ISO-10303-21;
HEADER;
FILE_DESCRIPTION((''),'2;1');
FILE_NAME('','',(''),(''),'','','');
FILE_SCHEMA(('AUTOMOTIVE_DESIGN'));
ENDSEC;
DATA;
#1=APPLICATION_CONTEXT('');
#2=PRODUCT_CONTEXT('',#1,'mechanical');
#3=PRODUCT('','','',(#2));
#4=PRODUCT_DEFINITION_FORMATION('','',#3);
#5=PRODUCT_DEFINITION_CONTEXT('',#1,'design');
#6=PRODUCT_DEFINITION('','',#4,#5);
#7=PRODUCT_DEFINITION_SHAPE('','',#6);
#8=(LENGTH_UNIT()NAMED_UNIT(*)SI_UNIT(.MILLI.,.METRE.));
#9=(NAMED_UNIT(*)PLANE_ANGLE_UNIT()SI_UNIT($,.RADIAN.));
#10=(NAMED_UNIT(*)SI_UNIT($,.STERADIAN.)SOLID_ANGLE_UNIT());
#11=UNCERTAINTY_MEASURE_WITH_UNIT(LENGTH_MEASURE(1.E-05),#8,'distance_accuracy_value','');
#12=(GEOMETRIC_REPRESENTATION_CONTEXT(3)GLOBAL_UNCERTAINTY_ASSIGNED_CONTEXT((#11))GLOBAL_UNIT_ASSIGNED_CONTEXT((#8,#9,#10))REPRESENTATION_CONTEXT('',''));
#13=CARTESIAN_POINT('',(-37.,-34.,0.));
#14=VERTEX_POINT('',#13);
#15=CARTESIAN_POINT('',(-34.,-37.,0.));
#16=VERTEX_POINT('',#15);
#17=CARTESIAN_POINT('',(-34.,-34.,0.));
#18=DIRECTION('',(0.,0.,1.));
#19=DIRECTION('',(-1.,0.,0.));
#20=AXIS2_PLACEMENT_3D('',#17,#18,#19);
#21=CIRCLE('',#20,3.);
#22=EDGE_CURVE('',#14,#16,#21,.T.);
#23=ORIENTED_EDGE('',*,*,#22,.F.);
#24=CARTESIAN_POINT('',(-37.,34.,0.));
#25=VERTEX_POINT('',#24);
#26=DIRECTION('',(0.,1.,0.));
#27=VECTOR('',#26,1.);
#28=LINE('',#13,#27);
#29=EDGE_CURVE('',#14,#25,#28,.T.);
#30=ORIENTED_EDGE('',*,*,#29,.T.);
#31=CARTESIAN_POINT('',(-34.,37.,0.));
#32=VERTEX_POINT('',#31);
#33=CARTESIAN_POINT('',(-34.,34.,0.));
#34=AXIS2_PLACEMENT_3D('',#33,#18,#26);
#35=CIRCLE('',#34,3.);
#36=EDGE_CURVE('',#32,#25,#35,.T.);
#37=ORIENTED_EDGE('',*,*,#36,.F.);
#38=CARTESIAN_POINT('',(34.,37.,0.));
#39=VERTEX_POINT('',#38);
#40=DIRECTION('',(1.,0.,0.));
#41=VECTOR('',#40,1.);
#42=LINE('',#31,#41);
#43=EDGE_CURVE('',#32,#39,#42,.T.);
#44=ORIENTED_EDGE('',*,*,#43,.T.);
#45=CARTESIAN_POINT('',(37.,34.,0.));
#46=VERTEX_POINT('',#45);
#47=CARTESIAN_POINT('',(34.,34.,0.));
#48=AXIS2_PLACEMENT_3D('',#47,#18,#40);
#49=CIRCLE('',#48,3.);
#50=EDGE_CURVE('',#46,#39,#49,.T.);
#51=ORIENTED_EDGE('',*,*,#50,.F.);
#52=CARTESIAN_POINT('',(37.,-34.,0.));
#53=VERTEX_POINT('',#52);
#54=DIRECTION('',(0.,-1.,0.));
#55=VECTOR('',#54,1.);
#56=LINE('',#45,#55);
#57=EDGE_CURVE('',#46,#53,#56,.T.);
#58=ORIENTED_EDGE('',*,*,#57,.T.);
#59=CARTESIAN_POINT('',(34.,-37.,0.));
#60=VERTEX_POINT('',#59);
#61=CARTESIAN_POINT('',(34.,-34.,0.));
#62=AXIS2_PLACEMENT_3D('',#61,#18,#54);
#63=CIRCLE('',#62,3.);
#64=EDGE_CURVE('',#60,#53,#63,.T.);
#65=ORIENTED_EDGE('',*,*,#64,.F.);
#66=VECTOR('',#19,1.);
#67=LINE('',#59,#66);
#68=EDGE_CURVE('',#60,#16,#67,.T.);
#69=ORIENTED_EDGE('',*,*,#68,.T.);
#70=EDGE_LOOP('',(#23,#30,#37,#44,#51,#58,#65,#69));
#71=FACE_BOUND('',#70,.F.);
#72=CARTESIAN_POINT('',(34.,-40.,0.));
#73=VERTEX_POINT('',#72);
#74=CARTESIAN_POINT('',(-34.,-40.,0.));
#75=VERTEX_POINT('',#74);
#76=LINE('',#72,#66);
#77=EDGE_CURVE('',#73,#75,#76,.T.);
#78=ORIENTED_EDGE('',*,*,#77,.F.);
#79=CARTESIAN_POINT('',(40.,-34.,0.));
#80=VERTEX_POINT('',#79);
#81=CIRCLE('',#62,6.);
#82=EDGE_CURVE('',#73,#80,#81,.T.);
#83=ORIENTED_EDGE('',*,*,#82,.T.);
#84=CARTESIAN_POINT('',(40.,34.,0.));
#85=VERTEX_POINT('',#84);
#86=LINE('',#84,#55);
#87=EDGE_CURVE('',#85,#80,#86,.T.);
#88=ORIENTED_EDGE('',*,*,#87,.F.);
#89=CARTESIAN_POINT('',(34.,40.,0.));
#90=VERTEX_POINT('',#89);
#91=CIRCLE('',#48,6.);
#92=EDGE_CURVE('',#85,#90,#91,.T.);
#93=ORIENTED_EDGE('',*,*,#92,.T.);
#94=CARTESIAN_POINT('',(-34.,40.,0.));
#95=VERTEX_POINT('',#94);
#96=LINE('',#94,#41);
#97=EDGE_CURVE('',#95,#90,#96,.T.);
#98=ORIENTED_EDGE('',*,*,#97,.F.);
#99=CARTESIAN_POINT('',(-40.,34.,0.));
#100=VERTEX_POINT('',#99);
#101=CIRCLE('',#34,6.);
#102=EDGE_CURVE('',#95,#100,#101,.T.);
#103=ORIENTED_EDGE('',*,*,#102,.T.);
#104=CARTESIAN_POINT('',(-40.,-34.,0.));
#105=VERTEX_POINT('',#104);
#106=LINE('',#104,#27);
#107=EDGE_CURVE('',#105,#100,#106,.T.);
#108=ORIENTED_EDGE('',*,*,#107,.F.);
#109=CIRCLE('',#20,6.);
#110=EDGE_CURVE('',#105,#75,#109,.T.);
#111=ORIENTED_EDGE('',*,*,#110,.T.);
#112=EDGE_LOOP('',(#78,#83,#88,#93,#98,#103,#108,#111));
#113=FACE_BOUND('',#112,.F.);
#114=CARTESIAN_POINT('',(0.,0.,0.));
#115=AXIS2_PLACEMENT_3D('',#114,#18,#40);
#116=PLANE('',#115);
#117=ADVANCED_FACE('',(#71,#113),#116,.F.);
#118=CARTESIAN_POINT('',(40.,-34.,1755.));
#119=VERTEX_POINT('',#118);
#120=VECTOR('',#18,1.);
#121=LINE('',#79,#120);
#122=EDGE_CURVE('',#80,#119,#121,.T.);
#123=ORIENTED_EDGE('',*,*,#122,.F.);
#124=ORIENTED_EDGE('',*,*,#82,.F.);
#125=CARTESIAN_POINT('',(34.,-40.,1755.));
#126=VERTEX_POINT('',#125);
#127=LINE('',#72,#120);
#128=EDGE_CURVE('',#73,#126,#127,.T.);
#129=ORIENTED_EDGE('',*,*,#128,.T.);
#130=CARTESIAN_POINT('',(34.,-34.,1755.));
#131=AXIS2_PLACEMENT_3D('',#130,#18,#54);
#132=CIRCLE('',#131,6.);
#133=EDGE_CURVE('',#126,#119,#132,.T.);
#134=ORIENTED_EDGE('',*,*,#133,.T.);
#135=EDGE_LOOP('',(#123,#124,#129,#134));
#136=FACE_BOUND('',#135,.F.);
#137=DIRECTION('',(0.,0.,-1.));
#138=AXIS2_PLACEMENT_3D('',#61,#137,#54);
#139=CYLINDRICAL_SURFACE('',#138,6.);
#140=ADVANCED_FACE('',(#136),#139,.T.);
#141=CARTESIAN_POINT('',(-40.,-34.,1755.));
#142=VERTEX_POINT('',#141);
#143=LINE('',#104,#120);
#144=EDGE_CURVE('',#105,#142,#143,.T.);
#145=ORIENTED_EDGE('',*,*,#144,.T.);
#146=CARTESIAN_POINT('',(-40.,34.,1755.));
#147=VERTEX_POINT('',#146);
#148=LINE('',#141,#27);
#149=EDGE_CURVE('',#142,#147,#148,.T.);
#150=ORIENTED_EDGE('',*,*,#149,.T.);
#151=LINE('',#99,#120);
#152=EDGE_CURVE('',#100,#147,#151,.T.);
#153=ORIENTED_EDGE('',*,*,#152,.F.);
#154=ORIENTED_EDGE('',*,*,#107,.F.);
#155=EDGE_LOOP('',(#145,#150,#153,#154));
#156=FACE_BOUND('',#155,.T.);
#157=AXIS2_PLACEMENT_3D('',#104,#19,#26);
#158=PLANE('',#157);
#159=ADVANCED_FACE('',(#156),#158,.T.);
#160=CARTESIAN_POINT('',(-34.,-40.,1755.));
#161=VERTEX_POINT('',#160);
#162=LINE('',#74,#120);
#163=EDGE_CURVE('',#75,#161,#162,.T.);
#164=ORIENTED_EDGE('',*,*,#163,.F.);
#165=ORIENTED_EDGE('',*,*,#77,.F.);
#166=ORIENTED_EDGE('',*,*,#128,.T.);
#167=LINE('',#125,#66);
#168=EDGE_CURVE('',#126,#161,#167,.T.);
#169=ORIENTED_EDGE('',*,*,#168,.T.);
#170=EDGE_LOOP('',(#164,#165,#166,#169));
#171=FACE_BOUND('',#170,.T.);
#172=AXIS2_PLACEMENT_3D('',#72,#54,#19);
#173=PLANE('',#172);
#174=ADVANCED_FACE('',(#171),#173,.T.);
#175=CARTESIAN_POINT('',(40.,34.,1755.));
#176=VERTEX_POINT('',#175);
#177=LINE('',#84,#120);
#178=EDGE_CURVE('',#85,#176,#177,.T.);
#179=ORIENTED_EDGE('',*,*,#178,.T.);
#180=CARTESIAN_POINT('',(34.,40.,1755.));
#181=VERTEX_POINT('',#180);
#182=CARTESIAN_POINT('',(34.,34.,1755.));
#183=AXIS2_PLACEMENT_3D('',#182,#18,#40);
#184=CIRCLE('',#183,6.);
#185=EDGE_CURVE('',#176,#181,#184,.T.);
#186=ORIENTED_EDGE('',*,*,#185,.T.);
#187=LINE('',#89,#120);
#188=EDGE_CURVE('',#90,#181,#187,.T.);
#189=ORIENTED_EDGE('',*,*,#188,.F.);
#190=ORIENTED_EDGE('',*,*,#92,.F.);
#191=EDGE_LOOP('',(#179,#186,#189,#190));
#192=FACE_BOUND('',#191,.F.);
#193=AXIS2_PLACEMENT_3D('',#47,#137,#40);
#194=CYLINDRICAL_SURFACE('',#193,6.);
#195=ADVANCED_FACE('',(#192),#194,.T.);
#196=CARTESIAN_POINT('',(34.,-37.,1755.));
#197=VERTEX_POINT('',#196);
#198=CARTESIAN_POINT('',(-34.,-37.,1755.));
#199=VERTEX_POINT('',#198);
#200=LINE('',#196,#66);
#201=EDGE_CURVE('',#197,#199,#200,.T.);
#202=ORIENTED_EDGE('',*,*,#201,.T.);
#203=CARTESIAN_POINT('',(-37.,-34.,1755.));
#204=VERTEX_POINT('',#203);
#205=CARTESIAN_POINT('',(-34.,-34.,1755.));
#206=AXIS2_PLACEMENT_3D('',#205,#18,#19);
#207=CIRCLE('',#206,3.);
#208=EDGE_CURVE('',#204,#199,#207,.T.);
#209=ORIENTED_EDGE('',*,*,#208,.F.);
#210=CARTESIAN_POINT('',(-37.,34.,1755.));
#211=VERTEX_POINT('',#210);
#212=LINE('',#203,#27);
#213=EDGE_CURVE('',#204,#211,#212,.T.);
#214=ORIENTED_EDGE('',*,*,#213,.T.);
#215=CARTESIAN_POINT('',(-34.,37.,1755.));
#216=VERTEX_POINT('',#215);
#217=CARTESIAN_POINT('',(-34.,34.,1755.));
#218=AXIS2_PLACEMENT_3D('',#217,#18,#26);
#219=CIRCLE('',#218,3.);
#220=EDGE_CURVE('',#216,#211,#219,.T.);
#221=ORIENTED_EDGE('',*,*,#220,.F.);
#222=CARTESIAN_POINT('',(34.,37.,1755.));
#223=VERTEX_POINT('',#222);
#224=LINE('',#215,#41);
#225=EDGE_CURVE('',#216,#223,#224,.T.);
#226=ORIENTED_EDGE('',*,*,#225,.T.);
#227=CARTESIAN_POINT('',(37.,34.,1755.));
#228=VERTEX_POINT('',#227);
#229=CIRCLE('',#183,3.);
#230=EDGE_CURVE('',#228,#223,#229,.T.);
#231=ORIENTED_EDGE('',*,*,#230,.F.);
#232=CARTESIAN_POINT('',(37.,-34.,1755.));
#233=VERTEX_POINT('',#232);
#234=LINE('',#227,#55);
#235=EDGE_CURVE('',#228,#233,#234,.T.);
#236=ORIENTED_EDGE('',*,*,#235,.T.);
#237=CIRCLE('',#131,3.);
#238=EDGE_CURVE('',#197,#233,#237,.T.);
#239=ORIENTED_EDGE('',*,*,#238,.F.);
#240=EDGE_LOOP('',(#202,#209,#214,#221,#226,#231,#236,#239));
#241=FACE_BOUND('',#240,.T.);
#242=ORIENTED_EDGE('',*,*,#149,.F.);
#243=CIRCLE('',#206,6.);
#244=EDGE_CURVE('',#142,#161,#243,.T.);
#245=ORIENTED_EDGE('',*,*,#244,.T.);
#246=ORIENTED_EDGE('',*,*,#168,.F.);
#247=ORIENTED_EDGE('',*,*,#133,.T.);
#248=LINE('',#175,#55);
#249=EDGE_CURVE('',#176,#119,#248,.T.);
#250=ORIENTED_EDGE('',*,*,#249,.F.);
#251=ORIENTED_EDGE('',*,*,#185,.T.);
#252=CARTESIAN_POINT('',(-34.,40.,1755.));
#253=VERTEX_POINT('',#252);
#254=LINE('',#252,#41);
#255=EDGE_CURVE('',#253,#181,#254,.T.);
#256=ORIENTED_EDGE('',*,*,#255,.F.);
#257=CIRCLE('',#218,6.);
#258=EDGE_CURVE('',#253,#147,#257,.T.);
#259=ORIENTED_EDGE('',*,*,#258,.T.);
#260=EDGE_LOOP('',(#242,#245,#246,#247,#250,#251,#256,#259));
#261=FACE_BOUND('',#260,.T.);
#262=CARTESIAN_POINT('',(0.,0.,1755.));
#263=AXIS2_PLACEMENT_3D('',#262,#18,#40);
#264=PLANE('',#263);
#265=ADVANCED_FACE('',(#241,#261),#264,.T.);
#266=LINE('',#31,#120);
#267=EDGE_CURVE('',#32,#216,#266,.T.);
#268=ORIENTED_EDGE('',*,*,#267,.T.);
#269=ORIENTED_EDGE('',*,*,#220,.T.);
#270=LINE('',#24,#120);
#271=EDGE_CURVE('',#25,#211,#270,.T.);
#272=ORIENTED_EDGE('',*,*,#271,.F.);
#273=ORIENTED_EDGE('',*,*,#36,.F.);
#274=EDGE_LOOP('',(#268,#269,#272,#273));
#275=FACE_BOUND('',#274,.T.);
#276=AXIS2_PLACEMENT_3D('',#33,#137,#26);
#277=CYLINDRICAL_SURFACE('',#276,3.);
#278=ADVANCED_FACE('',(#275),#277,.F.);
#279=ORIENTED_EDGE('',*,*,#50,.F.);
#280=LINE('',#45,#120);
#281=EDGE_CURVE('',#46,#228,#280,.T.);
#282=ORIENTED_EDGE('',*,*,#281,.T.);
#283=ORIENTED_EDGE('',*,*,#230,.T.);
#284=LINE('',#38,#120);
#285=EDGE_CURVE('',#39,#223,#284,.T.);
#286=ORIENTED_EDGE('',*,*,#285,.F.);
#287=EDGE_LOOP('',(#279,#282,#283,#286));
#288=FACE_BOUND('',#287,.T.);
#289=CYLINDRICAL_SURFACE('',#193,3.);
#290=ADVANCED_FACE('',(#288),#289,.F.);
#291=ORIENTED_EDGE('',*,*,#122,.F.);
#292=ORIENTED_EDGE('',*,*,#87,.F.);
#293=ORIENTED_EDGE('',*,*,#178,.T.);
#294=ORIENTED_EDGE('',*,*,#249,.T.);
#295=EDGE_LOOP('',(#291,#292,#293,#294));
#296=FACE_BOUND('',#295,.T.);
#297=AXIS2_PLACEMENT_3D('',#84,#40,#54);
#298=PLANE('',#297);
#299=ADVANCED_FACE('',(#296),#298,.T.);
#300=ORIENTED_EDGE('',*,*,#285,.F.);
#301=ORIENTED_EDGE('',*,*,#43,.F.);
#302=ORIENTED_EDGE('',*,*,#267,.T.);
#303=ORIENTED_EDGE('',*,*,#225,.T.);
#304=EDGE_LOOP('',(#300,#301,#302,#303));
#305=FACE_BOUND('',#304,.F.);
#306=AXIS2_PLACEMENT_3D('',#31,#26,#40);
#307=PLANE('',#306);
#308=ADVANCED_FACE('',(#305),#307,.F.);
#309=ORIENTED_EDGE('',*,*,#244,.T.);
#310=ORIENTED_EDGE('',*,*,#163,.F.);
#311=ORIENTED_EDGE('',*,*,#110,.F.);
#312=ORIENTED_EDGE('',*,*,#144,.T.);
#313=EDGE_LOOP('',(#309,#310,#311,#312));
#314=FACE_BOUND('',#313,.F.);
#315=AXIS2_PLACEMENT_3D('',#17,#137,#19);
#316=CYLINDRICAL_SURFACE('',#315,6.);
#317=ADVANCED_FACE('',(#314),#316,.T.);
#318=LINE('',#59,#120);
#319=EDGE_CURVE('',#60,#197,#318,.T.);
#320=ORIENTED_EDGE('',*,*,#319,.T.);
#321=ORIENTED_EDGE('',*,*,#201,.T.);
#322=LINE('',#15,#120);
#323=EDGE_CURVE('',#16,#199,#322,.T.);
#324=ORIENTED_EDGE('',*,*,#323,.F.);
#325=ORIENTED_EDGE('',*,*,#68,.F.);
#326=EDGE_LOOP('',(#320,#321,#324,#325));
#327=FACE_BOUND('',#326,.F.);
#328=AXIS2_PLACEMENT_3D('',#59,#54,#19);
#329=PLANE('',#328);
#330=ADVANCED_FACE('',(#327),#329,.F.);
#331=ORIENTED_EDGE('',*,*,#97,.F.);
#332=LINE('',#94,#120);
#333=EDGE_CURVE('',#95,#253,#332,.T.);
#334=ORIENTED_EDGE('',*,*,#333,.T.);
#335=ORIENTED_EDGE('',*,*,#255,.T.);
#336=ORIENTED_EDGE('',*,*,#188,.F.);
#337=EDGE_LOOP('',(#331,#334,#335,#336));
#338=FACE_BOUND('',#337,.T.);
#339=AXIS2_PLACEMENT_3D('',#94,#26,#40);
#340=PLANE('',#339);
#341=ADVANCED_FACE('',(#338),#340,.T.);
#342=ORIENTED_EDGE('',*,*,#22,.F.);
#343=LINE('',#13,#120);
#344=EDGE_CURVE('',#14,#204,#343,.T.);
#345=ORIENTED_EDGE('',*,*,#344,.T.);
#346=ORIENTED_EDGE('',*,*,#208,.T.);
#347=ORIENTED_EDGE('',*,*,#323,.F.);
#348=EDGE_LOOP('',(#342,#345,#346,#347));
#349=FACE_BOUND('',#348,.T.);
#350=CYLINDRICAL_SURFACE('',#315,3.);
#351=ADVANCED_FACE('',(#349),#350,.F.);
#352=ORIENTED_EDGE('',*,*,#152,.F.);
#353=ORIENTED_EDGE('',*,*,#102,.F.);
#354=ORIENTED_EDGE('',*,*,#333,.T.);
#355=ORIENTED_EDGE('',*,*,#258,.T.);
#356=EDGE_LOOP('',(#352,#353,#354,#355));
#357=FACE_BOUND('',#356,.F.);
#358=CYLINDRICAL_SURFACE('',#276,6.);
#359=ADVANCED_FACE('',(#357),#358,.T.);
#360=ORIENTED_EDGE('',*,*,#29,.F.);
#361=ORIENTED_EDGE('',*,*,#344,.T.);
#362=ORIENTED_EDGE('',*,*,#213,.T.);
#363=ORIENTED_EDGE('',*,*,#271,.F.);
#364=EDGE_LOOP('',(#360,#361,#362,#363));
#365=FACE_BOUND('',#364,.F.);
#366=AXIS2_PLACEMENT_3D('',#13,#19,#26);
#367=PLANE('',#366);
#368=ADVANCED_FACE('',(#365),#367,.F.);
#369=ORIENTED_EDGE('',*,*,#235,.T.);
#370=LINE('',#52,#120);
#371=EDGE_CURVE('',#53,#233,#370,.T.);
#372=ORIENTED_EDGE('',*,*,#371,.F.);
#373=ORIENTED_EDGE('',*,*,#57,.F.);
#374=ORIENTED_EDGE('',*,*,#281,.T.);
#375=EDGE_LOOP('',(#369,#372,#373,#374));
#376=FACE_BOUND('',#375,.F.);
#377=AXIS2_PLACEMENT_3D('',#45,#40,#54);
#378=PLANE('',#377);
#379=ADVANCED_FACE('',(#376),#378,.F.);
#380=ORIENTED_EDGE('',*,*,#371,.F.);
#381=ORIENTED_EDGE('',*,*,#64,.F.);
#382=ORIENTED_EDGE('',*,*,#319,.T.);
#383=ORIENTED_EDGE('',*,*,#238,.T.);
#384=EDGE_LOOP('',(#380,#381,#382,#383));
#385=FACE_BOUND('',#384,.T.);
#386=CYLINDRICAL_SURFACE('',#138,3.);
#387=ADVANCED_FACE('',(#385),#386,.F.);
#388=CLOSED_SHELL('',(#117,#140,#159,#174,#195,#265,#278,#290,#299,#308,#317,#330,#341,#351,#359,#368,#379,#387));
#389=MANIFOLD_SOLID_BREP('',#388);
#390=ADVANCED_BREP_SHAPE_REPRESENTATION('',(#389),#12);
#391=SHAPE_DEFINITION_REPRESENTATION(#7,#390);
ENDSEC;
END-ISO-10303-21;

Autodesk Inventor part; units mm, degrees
ref_plane "YZ Plane" through (0, 0, 0) normal (1, 0, 0) x (0, 1, 0)
ref_plane "Start Plane" through (0, 0, 0) normal (0, 0, 1) x (1, 0, 0)
ref_plane "End Plane" through (0, 0, 1755) normal (0, 0, 1) x (1, 0, 0)
sketch "Sketch" plane through (0, 0, 0) normal (0, 0, 1) x (1, 0, 0)
  line L0 (-40, -34) -> (-40, 34)
  line L1 (-34, 40) -> (34, 40)
  line L2 (40, 34) -> (40, -34)
  line L3 (34, -40) -> (-34, -40)
  arc A0 (-40, -34) -> (-34, -40) centre (-34, -34) ccw
  arc A1 (40, 34) -> (34, 40) centre (34, 34) ccw
  arc A2 (-34, 40) -> (-40, 34) centre (-34, 34) ccw
  arc A3 (34, -40) -> (40, -34) centre (34, -34) ccw
  arc A4 (-34, 37) -> (-37, 34) centre (-34, 34) ccw
  line L4 (-34, 37) -> (34, 37)
  arc A5 (37, 34) -> (34, 37) centre (34, 34) ccw
  line L5 (37, 34) -> (37, -34)
  arc A6 (34, -37) -> (37, -34) centre (34, -34) ccw
  line L6 (34, -37) -> (-34, -37)
  arc A7 (-37, -34) -> (-34, -37) centre (-34, -34) ccw
  line L7 (-37, -34) -> (-37, 34)
  line L8 (0, 57.7397) -> (0, -57.7397) construction
  line L9 (-57.7397, 0) -> (57.7397, 0) construction
  dimension "d7" = 6
  dimension "d9" = 80
  dimension "d11" = 80
  dimension "d12" = 3
  dimension "d15" = 40
  dimension "d16" = 40
extrude "Body" add sketch "Sketch" along normal up to surface (1755 mm away) from surface at 0
sketch "Sketch3" plane through (0, 0, 0) normal (0, 0, 1) x (1, 0, 0)
  line L0 (0, 0) -> (10, 0)
ref_plane "Work Plane3" through (0, 0, 0) normal (0, -1, 0) x (1, 0, 0)
sketch "Sketch4" plane through (0, 0, 0) normal (0, -1, 0) x (1, 0, 0)
  line L0 (-2, 0) -> (12, 0) projected
  line L1 (-2, 1755) -> (12, 1755) projected
  dimension "d18" = 1755
equation "\"d7\" = G_IR"
equation "\"d9\" = G_W"
equation "\"d11\" = G_H"
equation "\"d12\" = G_T"
equation "\"d15\" = 0.5 * d9"
equation "\"d16\" = 0.5 * d11"
equation "\"d3\" = G_L"
equation "\"G_W\" = 80"
equation "\"G_H\" = 80"
equation "\"G_T\" = 3"
equation "\"G_IR\" = 6"
equation "\"G_L\" = d18"
equation "\"G_OFFSET_START\" = 0"
equation "\"G_OFFSET_END\" = 0"
equation "\"d14\" = G_OFFSET_END + B_L"
equation "\"B_L\" = 1755"
properties part number "ISO 10799-2 - 80x80x3 - 1755" material "Steel, Mild"
